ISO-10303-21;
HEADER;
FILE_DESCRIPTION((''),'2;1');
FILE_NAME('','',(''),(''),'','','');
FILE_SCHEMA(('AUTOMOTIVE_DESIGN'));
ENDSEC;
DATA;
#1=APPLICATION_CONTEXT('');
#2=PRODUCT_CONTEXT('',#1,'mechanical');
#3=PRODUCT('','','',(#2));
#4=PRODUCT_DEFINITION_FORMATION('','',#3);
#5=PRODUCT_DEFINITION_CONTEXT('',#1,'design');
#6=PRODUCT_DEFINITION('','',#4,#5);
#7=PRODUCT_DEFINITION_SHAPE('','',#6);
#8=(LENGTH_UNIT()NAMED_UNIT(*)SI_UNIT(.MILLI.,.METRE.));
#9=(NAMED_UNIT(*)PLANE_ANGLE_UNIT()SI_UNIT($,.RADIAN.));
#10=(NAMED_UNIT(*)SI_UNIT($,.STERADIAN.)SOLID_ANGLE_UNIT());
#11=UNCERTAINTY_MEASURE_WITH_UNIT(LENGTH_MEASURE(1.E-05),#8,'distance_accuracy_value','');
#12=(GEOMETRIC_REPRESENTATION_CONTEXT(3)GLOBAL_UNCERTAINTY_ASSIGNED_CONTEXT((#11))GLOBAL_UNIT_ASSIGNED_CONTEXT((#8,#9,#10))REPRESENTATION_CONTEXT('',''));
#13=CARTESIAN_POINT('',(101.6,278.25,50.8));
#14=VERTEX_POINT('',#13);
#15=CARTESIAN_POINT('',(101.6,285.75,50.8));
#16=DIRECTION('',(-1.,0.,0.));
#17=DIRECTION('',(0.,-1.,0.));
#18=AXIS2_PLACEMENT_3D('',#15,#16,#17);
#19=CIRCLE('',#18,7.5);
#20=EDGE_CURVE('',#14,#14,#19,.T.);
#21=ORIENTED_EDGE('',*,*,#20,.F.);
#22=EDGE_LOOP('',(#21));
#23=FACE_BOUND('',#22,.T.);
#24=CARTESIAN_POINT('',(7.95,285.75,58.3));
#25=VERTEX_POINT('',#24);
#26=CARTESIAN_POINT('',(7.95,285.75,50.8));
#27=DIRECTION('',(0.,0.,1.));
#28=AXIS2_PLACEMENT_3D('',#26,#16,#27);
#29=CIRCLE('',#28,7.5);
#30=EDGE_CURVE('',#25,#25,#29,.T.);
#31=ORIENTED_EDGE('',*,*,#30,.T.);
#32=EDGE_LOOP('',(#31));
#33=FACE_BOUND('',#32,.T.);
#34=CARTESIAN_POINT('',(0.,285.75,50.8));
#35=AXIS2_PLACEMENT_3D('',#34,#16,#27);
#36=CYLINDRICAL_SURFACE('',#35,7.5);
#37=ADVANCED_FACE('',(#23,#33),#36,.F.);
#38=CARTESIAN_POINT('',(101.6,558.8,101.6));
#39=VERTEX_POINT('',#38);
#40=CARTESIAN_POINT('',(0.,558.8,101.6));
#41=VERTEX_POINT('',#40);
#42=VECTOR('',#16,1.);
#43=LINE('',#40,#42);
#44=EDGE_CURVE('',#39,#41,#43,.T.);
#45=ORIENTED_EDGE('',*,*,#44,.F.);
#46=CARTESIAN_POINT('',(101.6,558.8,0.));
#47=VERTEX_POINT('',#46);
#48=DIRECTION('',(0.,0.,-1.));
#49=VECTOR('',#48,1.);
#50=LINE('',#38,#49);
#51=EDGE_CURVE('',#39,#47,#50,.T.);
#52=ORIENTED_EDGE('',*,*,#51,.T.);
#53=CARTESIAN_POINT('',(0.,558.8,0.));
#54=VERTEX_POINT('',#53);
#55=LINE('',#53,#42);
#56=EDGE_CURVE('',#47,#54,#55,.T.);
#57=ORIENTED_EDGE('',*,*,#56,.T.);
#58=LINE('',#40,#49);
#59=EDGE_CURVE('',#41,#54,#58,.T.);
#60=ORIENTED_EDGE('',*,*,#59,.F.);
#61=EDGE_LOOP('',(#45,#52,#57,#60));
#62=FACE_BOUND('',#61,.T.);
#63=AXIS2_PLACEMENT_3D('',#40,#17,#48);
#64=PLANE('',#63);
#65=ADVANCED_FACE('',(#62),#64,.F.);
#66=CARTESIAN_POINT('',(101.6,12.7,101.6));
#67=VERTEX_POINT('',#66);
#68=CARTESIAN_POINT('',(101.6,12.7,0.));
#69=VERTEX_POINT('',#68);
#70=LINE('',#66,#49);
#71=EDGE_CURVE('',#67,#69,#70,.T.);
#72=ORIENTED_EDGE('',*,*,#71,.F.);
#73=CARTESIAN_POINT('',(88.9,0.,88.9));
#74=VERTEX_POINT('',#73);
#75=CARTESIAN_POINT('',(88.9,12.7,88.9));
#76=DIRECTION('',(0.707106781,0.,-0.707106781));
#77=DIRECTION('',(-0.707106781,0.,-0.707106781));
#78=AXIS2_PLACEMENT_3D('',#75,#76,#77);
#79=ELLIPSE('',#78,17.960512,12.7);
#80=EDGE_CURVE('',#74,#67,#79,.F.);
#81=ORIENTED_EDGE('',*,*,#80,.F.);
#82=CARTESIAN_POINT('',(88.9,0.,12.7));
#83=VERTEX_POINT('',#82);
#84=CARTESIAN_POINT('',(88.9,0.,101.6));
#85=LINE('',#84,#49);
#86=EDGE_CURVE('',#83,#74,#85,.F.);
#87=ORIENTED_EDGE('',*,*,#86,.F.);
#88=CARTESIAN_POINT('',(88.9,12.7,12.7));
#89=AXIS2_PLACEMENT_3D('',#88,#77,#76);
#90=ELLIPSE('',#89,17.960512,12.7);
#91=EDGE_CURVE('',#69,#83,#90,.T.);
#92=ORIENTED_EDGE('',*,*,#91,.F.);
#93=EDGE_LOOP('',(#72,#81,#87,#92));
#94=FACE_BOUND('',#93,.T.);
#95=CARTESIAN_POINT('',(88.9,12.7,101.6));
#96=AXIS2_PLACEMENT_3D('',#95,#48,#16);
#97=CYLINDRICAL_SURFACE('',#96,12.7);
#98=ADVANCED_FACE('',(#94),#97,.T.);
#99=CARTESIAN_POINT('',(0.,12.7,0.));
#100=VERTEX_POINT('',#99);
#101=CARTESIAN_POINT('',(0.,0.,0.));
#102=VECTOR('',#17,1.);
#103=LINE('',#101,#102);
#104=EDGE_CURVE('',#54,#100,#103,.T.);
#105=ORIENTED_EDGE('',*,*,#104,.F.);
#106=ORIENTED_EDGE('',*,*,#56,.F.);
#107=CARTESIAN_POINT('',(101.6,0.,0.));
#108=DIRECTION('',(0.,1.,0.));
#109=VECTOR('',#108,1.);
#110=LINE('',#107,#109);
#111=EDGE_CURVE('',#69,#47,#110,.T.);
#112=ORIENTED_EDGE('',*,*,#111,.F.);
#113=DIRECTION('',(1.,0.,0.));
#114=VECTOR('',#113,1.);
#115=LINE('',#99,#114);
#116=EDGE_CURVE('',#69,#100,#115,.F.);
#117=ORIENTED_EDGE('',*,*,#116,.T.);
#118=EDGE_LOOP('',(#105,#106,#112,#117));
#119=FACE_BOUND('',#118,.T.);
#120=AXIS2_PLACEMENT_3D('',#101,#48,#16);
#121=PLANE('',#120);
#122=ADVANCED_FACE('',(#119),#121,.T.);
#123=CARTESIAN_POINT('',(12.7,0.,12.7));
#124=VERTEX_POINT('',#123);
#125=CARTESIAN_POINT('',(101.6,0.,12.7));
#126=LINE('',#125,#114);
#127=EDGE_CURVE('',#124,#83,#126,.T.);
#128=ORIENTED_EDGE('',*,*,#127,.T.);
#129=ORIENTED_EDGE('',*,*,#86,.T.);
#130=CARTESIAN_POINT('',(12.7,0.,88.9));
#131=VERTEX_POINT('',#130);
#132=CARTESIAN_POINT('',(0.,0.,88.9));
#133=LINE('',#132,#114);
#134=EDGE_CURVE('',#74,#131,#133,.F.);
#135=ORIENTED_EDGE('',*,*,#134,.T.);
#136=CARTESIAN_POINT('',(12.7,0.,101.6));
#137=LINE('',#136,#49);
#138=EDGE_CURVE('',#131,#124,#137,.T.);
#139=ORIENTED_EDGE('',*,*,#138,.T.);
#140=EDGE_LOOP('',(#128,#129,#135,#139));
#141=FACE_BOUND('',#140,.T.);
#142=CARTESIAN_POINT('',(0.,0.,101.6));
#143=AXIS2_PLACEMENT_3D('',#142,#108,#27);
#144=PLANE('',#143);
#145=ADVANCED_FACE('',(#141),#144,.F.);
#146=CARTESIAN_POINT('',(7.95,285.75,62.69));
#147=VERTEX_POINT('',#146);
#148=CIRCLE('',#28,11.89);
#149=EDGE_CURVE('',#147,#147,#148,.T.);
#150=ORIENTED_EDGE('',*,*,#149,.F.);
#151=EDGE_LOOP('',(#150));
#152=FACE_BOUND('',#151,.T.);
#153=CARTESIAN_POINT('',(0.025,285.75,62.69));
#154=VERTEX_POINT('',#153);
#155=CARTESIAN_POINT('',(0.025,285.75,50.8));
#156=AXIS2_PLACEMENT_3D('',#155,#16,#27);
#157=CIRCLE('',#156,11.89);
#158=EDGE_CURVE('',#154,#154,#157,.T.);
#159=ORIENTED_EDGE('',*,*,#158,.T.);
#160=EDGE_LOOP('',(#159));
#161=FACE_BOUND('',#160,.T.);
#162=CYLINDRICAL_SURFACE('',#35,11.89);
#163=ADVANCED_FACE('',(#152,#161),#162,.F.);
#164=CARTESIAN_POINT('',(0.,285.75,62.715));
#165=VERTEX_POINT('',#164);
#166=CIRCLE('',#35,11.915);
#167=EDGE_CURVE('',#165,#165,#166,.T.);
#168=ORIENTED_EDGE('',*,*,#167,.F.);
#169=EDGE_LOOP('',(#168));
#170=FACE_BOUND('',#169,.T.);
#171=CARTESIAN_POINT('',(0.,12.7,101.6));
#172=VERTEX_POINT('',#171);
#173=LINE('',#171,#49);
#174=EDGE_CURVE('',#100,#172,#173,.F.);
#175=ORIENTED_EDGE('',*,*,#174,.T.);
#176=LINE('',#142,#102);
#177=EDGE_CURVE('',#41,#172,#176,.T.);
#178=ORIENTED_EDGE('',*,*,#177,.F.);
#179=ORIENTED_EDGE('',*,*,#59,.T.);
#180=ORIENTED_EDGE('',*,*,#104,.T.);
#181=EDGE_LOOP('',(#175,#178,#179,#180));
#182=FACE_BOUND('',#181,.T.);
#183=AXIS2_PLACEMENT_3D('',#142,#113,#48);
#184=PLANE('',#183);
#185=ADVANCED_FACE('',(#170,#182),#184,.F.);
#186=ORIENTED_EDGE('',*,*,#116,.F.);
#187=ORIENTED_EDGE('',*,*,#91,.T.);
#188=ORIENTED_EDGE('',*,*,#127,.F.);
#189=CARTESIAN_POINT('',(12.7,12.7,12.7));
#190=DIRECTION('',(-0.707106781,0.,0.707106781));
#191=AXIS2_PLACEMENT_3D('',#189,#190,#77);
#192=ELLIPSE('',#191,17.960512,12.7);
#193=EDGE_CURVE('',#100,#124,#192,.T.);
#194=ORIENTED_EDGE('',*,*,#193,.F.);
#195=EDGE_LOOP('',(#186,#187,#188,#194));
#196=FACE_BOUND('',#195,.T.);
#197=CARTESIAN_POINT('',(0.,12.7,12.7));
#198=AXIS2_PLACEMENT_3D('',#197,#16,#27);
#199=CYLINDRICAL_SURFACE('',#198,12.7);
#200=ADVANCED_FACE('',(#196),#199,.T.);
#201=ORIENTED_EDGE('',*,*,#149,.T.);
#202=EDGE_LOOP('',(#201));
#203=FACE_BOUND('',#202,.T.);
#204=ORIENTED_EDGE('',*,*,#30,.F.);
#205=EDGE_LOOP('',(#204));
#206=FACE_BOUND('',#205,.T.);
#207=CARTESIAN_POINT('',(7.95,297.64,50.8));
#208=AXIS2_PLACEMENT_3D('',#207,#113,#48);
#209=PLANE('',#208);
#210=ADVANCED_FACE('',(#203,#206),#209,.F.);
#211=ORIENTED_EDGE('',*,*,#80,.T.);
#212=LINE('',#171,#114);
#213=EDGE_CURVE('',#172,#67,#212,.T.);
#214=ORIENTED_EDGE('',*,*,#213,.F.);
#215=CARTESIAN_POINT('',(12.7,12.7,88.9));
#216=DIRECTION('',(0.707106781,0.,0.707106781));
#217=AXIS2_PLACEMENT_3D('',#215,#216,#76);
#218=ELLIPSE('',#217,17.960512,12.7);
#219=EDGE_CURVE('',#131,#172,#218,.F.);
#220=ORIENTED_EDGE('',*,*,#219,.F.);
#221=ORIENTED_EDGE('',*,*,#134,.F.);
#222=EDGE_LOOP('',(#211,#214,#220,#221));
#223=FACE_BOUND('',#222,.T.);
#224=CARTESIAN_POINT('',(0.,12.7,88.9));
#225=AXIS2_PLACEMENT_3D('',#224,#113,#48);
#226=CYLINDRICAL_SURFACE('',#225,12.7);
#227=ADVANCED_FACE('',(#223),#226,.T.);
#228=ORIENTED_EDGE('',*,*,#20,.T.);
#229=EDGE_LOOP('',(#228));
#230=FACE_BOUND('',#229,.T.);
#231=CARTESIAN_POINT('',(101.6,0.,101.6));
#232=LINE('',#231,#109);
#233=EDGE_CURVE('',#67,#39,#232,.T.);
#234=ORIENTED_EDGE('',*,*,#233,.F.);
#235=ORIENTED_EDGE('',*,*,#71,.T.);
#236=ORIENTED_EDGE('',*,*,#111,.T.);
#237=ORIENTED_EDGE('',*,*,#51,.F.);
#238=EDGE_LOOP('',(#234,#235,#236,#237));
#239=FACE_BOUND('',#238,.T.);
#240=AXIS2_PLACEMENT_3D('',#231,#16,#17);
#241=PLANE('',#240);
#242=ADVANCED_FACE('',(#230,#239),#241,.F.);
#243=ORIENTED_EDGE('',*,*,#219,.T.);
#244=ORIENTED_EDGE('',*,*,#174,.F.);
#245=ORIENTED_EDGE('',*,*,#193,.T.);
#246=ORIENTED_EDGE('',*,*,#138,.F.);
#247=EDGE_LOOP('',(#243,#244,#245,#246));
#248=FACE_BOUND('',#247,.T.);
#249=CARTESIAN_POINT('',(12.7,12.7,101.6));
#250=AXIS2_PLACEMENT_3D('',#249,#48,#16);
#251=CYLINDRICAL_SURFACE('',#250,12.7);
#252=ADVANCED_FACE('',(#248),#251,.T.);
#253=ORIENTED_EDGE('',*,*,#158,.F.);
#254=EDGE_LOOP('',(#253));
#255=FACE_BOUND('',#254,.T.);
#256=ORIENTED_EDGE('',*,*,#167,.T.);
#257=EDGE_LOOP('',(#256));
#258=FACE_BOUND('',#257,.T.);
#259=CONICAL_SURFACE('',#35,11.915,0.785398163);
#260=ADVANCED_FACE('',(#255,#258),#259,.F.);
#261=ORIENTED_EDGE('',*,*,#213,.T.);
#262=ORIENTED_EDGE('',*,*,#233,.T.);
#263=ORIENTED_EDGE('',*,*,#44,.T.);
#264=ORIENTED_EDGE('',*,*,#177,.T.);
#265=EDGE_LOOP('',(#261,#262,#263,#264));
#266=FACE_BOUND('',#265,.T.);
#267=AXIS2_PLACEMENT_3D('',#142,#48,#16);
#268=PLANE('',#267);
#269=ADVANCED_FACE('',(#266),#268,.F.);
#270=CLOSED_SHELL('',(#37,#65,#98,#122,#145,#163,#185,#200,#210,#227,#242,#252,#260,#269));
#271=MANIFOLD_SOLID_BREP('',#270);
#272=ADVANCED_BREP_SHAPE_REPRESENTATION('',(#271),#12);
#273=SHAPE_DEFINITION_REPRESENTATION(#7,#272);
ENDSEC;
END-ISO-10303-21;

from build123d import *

# Parameters (mm, degrees)
SKETCH1_W           = 101.6
SKETCH1_H           = 558.8
BOSS_EXTRUDE1_DEPTH = 101.6
FILLET2_R           = 12.7


with BuildPart() as part:
    # Sketch1 → Boss-Extrude1 (new body)
    with BuildSketch(Plane.XY):
        with Locations((50.8, 279.4)):
            Rectangle(SKETCH1_W, SKETCH1_H)
    extrude(amount=BOSS_EXTRUDE1_DEPTH)

    # Fillet2
    fillet2_edges = [part.edges().sort_by_distance(p)[0] for p in [
        (50.8, 0, 0),
        (101.6, 0, 50.8),
        (0, 0, 50.8),
        (50.8, 0, 101.6),
    ]]
    fillet(fillet2_edges, radius=FILLET2_R)

    # Sketch8 → CBORE for M12 Hex Head Bolt1 (revolve, cut)
    with BuildSketch(Plane(origin=(0, 285.75, 50.8), x_dir=(0, 0, 1), z_dir=(0, 1, 0))):
        Polygon((0, 0), (0, 101.6), (7.5, 101.6), (7.5, 7.95), (11.89, 7.95), (11.89, 0.025), (11.915, 0), align=None)
    revolve(axis=Axis((-6.35, 285.75, 50.8), (1, 0, 0)), mode=Mode.SUBTRACT)


solid = part.part
